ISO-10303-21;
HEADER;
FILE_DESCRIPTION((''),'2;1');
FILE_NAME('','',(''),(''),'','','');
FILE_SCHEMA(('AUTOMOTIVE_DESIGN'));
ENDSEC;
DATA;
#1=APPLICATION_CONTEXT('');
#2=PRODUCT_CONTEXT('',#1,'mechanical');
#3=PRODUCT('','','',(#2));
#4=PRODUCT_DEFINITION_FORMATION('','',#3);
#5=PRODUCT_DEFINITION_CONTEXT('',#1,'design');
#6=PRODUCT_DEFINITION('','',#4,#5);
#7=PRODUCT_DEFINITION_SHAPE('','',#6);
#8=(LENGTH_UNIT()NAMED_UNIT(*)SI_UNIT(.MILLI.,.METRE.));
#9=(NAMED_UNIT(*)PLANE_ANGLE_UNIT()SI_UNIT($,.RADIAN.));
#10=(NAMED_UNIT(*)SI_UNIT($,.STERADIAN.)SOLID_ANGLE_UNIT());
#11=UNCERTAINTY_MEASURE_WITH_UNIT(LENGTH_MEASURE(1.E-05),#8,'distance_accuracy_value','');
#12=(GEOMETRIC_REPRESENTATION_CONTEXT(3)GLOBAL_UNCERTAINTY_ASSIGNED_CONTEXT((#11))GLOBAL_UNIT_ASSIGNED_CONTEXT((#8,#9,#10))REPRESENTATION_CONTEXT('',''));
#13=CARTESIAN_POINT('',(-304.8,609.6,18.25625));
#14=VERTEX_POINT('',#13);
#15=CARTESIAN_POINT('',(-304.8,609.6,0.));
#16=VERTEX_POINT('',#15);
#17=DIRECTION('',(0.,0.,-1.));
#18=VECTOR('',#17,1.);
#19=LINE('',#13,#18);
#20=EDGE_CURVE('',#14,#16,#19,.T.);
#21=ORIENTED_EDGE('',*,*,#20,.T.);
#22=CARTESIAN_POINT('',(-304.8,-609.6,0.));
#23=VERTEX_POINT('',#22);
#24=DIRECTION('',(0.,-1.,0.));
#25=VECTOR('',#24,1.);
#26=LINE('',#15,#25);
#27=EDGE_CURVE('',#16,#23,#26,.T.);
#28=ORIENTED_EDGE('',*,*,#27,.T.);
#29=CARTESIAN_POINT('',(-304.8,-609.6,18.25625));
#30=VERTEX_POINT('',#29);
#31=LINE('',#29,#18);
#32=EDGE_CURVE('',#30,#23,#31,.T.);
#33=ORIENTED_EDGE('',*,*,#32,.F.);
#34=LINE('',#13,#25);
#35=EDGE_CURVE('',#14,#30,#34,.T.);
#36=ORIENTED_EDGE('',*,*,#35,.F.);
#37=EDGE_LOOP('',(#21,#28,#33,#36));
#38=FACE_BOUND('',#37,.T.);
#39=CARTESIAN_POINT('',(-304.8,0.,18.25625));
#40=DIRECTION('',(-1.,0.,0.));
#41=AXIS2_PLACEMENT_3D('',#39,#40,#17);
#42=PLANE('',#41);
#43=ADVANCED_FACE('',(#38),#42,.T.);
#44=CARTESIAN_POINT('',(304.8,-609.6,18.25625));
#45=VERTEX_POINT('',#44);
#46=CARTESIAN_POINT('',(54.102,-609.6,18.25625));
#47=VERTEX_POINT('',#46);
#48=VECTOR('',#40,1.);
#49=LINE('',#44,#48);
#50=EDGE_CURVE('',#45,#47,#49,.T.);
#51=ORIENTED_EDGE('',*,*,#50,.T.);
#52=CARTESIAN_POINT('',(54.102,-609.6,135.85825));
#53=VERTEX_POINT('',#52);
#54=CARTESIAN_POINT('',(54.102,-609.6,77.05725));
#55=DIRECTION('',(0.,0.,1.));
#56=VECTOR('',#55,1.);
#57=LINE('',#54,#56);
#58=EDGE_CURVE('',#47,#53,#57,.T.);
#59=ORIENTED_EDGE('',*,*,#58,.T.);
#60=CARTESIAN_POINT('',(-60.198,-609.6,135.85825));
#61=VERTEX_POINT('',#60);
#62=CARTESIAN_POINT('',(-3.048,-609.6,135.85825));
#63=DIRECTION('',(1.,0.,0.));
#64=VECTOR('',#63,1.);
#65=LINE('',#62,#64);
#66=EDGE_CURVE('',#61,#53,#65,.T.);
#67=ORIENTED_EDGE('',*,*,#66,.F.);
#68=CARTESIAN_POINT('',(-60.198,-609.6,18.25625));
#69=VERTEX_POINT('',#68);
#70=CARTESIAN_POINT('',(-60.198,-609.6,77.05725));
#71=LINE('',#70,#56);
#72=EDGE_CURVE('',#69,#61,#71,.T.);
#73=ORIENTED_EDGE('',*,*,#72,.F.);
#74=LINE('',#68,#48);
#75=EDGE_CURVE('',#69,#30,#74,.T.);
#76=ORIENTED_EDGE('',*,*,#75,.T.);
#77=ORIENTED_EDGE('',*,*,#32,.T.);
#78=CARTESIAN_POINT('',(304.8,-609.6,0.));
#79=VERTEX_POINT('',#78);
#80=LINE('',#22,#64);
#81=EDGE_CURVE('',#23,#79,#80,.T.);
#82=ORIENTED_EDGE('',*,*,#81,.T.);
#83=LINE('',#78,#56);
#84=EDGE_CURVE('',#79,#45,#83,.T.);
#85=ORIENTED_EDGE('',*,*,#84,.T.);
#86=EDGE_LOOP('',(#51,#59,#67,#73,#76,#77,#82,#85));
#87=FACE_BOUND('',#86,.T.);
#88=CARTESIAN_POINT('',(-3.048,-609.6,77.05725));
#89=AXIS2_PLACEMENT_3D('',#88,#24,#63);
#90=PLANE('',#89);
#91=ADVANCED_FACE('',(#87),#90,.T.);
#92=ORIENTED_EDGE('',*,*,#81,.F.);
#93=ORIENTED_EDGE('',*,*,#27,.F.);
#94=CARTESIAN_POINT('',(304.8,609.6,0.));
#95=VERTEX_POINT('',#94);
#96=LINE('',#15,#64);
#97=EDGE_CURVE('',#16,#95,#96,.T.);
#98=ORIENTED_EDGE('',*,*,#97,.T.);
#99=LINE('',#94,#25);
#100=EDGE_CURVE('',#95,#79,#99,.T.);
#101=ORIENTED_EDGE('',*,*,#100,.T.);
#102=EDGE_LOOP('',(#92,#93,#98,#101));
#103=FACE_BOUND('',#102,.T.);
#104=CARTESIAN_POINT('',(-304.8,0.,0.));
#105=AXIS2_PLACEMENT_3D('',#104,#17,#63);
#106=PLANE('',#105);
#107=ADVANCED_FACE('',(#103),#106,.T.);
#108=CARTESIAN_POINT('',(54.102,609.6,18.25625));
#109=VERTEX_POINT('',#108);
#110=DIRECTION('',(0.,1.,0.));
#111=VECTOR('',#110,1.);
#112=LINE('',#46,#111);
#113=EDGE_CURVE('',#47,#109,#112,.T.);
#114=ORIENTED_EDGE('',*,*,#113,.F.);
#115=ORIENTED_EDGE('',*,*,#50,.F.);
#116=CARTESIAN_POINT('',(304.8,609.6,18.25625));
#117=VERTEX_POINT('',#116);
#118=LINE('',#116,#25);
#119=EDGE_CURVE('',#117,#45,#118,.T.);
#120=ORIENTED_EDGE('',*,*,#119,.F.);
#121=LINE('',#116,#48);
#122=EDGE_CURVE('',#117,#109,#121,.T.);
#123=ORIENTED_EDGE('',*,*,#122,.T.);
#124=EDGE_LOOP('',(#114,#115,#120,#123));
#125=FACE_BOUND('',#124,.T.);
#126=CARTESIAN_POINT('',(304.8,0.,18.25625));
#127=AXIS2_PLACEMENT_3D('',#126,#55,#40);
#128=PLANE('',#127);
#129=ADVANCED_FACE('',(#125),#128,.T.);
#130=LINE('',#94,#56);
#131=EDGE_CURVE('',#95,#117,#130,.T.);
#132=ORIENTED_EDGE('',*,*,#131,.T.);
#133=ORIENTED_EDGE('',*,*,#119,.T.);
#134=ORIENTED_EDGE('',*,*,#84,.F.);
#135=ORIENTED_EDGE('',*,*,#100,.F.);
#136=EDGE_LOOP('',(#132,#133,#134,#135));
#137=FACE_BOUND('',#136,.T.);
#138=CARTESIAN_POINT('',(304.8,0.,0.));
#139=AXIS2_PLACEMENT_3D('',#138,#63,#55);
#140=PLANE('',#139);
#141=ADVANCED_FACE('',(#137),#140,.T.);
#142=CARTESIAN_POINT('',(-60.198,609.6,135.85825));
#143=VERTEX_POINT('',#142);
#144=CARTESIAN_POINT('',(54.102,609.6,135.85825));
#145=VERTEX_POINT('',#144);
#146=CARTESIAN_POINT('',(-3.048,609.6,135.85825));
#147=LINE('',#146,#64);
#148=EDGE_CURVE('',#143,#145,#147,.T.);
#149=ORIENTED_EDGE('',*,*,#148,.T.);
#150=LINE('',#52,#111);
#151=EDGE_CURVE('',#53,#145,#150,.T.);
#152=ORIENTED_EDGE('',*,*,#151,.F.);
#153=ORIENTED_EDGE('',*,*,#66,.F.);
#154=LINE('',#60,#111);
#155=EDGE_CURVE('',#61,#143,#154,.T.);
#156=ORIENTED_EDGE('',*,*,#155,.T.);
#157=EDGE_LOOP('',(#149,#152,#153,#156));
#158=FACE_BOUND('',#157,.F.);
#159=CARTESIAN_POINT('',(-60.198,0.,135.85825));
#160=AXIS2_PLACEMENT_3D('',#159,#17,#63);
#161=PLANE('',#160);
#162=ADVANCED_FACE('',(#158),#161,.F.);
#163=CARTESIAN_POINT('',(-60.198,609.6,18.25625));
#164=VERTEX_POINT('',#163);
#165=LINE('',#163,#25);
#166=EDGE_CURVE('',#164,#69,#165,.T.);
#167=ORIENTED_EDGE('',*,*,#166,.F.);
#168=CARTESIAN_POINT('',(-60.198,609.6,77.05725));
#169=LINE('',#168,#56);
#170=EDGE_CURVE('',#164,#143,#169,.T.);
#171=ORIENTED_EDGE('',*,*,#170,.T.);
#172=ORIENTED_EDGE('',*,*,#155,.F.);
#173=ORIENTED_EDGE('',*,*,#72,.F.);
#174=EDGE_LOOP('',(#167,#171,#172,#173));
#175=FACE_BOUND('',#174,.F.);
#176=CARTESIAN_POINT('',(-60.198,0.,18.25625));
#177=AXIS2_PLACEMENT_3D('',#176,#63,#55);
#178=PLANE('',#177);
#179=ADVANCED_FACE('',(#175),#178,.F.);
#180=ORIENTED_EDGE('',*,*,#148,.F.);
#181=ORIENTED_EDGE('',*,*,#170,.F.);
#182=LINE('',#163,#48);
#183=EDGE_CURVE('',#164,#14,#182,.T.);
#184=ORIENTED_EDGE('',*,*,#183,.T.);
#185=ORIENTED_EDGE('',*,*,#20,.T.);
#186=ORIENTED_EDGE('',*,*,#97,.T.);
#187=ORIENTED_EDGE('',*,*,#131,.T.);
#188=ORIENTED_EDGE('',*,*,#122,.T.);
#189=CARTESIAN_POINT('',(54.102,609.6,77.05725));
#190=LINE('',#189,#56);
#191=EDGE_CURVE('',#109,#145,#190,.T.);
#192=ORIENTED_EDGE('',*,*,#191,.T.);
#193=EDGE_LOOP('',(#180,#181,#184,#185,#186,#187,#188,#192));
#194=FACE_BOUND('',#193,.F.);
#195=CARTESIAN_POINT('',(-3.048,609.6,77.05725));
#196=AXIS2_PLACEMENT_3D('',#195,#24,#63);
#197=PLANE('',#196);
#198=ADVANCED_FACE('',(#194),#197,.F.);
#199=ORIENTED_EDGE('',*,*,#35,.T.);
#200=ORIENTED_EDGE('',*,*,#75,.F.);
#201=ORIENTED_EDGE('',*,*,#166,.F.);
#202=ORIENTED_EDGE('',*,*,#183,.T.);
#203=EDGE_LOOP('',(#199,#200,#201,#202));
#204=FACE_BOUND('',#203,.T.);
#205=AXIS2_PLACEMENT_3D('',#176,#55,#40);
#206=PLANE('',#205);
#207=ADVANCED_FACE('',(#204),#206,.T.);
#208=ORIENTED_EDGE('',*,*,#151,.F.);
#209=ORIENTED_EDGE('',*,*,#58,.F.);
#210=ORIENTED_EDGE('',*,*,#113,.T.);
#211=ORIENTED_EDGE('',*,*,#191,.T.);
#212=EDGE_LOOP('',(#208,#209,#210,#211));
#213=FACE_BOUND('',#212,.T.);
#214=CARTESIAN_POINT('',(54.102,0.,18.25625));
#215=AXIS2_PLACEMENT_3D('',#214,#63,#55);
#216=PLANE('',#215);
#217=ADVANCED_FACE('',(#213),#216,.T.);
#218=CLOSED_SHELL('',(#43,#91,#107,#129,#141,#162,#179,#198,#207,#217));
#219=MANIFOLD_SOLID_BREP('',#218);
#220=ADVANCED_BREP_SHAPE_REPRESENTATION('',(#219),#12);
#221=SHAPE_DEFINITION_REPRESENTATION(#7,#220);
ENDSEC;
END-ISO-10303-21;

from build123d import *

# Parameters (mm, degrees)
F0_W     = 114.3
F0_H     = 117.602
F1_DEPTH = 609.6


with BuildPart() as f1:
    # F0 (on Front) → F1 (new body, symmetric)
    with BuildSketch(Plane.XZ):
        with Locations((-3.048, 77.05725)):
            Rectangle(F0_W, F0_H)
        Polygon((-60.198, 18.25625), (-304.8, 18.25625), (-304.8, 0), (304.8, 0), (304.8, 11.90625), (304.8, 18.25625), (54.102, 18.25625), align=None)
    extrude(amount=F1_DEPTH, both=True)


solid = f1.part
